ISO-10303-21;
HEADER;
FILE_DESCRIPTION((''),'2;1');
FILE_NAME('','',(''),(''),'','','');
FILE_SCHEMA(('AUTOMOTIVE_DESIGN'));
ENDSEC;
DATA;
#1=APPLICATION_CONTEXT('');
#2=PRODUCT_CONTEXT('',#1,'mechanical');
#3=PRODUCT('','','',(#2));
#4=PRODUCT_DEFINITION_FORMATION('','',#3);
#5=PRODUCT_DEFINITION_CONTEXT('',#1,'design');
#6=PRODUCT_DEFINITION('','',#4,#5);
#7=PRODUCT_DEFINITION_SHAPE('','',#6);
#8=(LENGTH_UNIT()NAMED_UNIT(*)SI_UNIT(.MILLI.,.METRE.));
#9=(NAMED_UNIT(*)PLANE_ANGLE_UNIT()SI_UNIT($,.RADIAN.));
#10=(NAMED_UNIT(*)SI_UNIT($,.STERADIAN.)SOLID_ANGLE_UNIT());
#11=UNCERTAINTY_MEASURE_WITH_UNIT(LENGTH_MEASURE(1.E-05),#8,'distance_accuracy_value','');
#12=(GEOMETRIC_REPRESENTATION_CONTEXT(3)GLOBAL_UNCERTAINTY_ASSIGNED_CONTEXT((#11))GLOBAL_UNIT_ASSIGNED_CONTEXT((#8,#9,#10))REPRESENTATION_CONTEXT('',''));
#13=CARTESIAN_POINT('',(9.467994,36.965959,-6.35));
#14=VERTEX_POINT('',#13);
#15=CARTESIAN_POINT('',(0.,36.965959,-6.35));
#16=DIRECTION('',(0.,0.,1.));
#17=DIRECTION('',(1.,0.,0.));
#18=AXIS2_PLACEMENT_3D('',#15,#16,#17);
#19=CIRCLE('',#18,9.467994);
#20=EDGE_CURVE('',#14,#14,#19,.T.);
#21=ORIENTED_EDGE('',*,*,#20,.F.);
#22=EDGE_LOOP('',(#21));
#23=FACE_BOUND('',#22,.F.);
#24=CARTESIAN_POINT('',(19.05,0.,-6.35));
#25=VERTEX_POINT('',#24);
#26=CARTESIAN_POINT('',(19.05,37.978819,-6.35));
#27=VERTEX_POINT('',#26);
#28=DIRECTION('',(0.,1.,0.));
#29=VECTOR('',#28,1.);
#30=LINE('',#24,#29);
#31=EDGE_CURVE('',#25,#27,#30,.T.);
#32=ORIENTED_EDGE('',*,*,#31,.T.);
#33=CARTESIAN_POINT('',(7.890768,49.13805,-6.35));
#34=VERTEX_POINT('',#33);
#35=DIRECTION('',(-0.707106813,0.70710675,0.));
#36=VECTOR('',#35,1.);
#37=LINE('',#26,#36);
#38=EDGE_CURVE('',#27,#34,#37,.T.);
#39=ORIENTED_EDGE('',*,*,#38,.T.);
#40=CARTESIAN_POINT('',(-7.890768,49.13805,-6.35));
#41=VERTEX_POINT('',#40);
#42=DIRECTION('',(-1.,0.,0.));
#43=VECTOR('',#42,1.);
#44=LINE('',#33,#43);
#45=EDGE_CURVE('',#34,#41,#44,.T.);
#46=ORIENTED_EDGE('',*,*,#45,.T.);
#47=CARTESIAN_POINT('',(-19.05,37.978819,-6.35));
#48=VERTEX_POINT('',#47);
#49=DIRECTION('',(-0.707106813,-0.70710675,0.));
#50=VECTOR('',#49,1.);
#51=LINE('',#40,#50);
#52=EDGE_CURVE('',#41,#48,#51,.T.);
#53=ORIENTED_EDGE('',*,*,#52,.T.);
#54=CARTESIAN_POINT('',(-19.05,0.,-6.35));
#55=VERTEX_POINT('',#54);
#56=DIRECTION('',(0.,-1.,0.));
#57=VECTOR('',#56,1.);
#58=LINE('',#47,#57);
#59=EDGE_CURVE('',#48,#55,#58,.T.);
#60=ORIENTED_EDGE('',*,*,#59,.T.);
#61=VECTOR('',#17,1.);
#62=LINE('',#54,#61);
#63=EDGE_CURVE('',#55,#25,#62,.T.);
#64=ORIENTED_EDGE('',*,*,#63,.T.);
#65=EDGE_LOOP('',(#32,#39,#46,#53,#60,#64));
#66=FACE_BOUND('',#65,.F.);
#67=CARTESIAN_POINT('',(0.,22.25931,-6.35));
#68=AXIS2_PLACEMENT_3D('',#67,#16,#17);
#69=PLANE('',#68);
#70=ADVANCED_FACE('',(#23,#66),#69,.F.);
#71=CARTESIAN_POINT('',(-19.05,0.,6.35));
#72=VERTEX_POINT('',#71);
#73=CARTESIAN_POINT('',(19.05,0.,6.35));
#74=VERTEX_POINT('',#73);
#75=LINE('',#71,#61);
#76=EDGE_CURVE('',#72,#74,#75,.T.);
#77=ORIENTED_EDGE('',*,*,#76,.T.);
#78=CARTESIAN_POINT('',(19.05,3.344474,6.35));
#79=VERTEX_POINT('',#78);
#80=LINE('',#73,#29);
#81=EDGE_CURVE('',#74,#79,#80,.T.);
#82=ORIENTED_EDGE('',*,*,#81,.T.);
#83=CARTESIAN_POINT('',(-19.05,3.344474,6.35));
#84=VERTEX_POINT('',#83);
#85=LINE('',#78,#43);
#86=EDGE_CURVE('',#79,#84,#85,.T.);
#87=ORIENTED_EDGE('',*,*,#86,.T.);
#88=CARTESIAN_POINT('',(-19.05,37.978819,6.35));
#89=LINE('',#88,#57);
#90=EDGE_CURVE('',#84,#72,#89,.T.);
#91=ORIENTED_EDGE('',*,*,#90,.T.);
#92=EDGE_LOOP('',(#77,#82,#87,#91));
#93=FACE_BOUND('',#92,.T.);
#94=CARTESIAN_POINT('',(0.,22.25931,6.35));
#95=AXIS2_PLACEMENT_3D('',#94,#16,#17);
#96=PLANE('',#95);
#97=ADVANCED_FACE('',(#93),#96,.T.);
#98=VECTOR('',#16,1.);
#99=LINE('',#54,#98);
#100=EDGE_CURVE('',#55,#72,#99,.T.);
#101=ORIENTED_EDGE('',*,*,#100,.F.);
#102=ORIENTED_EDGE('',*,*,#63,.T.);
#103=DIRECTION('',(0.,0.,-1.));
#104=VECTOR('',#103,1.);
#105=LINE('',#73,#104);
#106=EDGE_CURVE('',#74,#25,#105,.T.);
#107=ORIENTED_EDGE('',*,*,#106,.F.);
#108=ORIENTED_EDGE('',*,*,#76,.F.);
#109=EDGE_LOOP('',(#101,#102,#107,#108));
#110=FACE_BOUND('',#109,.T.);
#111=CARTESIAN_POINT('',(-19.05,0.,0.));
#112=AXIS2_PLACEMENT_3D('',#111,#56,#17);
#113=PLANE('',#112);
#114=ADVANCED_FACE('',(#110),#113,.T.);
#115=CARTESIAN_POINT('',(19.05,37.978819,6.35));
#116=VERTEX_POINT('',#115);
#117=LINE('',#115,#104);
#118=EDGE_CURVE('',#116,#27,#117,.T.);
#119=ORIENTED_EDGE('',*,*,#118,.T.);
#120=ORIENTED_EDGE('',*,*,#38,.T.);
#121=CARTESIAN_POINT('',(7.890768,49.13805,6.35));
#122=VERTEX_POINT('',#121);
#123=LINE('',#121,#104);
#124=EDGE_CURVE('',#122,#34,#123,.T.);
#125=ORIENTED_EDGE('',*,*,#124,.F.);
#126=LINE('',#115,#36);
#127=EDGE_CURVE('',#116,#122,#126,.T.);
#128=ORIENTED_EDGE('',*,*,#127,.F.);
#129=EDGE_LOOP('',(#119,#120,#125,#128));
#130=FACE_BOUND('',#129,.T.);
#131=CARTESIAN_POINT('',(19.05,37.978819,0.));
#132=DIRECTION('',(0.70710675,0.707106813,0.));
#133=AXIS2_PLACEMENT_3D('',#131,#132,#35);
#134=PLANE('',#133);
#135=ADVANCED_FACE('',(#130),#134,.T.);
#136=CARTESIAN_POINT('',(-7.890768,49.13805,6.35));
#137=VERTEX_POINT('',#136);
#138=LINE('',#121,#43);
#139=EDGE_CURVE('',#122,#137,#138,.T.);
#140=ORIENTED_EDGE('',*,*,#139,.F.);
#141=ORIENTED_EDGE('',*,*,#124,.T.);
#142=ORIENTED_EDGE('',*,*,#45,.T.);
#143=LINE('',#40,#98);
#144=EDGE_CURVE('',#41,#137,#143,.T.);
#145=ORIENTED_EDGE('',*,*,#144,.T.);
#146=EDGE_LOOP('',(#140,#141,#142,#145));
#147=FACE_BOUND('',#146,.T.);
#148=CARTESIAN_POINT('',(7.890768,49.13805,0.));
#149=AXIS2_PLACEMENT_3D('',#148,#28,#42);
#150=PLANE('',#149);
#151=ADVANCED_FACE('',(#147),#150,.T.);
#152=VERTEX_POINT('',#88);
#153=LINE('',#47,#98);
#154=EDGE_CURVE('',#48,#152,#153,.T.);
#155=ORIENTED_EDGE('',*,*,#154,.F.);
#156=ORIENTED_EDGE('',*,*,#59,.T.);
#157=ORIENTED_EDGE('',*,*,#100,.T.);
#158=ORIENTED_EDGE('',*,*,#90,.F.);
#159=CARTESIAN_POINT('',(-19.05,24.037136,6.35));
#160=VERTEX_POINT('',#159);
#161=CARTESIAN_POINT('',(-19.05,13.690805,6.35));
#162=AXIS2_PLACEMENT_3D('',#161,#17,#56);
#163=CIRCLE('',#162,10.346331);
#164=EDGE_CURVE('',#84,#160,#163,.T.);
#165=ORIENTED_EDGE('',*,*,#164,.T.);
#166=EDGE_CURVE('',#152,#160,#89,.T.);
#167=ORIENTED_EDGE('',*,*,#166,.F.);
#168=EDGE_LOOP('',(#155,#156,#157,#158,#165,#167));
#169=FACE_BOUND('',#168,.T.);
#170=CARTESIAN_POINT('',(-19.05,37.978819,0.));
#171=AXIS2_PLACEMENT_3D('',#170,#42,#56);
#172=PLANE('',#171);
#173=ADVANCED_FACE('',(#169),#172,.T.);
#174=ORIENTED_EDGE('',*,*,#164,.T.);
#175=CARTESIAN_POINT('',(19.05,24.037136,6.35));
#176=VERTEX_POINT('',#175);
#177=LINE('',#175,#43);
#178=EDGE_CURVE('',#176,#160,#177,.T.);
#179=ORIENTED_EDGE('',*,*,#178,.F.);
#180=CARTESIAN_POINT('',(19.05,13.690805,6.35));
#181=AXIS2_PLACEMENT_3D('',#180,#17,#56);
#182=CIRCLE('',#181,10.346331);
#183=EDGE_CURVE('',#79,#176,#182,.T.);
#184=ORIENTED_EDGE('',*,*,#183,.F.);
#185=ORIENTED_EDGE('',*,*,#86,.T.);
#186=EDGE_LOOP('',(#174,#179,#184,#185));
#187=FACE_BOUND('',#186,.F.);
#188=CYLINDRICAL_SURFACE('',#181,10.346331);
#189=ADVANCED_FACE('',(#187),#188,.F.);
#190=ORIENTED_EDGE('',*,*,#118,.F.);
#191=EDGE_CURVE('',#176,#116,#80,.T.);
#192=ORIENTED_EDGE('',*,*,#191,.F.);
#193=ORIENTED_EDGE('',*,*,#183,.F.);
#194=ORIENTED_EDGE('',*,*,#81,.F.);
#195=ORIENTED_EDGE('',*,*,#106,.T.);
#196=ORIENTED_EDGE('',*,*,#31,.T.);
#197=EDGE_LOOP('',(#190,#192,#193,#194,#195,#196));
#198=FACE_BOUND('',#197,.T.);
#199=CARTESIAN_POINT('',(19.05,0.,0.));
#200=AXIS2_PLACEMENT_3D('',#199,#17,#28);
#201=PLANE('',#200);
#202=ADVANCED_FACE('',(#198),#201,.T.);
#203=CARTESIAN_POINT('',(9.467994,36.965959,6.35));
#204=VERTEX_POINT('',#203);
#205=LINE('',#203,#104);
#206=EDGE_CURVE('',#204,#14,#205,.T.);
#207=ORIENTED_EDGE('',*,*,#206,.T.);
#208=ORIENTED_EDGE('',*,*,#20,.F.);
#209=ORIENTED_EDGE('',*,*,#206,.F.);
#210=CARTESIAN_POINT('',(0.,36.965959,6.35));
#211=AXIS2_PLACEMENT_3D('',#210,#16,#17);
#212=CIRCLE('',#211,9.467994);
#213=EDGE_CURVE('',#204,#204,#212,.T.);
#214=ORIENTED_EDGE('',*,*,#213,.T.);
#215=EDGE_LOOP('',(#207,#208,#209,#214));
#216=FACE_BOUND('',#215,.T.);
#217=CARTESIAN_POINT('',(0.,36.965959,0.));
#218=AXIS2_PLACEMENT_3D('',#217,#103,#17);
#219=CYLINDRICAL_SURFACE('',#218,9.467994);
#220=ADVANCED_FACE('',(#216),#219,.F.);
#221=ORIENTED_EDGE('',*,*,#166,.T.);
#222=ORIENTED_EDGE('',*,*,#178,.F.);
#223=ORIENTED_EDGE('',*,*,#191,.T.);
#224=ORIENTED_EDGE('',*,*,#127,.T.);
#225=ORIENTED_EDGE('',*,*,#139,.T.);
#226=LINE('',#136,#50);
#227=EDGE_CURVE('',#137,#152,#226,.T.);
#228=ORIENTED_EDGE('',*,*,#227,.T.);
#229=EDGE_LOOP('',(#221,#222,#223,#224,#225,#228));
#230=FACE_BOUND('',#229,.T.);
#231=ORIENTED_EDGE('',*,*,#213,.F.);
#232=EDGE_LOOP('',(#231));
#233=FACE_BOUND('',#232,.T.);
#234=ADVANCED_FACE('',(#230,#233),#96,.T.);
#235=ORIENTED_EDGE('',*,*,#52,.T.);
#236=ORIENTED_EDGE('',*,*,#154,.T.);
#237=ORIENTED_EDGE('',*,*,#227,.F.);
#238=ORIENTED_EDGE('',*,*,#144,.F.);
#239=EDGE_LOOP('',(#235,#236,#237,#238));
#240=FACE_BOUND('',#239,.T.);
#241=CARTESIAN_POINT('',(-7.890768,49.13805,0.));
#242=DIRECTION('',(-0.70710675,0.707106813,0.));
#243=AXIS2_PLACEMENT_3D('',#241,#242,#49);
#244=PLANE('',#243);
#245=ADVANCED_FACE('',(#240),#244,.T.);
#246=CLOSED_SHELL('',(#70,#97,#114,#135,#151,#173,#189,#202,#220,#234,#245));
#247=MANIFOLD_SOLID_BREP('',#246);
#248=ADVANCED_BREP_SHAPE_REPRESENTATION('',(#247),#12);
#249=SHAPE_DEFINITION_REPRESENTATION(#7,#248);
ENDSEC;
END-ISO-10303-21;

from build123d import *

# Parameters (mm, degrees)
F0_R     = 9.467994
F1_DEPTH = 6.35
F3_DEPTH = 38.1


with BuildPart() as f1:
    # F0 (on Top) → F1 (new body, symmetric)
    with BuildSketch(Plane.XY):
        Polygon((7.890768, 49.13805), (-7.890768, 49.13805), (-19.05, 37.978819), (-19.05, 30.08805), (-19.05, 0), (19.05, 0), (19.05, 30.08805), (19.05, 37.978819), align=None)
        with Locations((0, 36.965959)):
            Circle(F0_R, mode=Mode.SUBTRACT)
    extrude(amount=F1_DEPTH, both=True)

    # F2 (on face) → F3 (cut)
    with BuildSketch(Plane.YZ.offset(19.05)):
        with BuildLine():
            Line((24.037136, 6.35), (3.344474, 6.35))
            ThreePointArc((3.344474, 6.35), (13.690805, -3.996331), (24.037136, 6.35))
        make_face()
    extrude(amount=-F3_DEPTH, mode=Mode.SUBTRACT)


solid = f1.part
